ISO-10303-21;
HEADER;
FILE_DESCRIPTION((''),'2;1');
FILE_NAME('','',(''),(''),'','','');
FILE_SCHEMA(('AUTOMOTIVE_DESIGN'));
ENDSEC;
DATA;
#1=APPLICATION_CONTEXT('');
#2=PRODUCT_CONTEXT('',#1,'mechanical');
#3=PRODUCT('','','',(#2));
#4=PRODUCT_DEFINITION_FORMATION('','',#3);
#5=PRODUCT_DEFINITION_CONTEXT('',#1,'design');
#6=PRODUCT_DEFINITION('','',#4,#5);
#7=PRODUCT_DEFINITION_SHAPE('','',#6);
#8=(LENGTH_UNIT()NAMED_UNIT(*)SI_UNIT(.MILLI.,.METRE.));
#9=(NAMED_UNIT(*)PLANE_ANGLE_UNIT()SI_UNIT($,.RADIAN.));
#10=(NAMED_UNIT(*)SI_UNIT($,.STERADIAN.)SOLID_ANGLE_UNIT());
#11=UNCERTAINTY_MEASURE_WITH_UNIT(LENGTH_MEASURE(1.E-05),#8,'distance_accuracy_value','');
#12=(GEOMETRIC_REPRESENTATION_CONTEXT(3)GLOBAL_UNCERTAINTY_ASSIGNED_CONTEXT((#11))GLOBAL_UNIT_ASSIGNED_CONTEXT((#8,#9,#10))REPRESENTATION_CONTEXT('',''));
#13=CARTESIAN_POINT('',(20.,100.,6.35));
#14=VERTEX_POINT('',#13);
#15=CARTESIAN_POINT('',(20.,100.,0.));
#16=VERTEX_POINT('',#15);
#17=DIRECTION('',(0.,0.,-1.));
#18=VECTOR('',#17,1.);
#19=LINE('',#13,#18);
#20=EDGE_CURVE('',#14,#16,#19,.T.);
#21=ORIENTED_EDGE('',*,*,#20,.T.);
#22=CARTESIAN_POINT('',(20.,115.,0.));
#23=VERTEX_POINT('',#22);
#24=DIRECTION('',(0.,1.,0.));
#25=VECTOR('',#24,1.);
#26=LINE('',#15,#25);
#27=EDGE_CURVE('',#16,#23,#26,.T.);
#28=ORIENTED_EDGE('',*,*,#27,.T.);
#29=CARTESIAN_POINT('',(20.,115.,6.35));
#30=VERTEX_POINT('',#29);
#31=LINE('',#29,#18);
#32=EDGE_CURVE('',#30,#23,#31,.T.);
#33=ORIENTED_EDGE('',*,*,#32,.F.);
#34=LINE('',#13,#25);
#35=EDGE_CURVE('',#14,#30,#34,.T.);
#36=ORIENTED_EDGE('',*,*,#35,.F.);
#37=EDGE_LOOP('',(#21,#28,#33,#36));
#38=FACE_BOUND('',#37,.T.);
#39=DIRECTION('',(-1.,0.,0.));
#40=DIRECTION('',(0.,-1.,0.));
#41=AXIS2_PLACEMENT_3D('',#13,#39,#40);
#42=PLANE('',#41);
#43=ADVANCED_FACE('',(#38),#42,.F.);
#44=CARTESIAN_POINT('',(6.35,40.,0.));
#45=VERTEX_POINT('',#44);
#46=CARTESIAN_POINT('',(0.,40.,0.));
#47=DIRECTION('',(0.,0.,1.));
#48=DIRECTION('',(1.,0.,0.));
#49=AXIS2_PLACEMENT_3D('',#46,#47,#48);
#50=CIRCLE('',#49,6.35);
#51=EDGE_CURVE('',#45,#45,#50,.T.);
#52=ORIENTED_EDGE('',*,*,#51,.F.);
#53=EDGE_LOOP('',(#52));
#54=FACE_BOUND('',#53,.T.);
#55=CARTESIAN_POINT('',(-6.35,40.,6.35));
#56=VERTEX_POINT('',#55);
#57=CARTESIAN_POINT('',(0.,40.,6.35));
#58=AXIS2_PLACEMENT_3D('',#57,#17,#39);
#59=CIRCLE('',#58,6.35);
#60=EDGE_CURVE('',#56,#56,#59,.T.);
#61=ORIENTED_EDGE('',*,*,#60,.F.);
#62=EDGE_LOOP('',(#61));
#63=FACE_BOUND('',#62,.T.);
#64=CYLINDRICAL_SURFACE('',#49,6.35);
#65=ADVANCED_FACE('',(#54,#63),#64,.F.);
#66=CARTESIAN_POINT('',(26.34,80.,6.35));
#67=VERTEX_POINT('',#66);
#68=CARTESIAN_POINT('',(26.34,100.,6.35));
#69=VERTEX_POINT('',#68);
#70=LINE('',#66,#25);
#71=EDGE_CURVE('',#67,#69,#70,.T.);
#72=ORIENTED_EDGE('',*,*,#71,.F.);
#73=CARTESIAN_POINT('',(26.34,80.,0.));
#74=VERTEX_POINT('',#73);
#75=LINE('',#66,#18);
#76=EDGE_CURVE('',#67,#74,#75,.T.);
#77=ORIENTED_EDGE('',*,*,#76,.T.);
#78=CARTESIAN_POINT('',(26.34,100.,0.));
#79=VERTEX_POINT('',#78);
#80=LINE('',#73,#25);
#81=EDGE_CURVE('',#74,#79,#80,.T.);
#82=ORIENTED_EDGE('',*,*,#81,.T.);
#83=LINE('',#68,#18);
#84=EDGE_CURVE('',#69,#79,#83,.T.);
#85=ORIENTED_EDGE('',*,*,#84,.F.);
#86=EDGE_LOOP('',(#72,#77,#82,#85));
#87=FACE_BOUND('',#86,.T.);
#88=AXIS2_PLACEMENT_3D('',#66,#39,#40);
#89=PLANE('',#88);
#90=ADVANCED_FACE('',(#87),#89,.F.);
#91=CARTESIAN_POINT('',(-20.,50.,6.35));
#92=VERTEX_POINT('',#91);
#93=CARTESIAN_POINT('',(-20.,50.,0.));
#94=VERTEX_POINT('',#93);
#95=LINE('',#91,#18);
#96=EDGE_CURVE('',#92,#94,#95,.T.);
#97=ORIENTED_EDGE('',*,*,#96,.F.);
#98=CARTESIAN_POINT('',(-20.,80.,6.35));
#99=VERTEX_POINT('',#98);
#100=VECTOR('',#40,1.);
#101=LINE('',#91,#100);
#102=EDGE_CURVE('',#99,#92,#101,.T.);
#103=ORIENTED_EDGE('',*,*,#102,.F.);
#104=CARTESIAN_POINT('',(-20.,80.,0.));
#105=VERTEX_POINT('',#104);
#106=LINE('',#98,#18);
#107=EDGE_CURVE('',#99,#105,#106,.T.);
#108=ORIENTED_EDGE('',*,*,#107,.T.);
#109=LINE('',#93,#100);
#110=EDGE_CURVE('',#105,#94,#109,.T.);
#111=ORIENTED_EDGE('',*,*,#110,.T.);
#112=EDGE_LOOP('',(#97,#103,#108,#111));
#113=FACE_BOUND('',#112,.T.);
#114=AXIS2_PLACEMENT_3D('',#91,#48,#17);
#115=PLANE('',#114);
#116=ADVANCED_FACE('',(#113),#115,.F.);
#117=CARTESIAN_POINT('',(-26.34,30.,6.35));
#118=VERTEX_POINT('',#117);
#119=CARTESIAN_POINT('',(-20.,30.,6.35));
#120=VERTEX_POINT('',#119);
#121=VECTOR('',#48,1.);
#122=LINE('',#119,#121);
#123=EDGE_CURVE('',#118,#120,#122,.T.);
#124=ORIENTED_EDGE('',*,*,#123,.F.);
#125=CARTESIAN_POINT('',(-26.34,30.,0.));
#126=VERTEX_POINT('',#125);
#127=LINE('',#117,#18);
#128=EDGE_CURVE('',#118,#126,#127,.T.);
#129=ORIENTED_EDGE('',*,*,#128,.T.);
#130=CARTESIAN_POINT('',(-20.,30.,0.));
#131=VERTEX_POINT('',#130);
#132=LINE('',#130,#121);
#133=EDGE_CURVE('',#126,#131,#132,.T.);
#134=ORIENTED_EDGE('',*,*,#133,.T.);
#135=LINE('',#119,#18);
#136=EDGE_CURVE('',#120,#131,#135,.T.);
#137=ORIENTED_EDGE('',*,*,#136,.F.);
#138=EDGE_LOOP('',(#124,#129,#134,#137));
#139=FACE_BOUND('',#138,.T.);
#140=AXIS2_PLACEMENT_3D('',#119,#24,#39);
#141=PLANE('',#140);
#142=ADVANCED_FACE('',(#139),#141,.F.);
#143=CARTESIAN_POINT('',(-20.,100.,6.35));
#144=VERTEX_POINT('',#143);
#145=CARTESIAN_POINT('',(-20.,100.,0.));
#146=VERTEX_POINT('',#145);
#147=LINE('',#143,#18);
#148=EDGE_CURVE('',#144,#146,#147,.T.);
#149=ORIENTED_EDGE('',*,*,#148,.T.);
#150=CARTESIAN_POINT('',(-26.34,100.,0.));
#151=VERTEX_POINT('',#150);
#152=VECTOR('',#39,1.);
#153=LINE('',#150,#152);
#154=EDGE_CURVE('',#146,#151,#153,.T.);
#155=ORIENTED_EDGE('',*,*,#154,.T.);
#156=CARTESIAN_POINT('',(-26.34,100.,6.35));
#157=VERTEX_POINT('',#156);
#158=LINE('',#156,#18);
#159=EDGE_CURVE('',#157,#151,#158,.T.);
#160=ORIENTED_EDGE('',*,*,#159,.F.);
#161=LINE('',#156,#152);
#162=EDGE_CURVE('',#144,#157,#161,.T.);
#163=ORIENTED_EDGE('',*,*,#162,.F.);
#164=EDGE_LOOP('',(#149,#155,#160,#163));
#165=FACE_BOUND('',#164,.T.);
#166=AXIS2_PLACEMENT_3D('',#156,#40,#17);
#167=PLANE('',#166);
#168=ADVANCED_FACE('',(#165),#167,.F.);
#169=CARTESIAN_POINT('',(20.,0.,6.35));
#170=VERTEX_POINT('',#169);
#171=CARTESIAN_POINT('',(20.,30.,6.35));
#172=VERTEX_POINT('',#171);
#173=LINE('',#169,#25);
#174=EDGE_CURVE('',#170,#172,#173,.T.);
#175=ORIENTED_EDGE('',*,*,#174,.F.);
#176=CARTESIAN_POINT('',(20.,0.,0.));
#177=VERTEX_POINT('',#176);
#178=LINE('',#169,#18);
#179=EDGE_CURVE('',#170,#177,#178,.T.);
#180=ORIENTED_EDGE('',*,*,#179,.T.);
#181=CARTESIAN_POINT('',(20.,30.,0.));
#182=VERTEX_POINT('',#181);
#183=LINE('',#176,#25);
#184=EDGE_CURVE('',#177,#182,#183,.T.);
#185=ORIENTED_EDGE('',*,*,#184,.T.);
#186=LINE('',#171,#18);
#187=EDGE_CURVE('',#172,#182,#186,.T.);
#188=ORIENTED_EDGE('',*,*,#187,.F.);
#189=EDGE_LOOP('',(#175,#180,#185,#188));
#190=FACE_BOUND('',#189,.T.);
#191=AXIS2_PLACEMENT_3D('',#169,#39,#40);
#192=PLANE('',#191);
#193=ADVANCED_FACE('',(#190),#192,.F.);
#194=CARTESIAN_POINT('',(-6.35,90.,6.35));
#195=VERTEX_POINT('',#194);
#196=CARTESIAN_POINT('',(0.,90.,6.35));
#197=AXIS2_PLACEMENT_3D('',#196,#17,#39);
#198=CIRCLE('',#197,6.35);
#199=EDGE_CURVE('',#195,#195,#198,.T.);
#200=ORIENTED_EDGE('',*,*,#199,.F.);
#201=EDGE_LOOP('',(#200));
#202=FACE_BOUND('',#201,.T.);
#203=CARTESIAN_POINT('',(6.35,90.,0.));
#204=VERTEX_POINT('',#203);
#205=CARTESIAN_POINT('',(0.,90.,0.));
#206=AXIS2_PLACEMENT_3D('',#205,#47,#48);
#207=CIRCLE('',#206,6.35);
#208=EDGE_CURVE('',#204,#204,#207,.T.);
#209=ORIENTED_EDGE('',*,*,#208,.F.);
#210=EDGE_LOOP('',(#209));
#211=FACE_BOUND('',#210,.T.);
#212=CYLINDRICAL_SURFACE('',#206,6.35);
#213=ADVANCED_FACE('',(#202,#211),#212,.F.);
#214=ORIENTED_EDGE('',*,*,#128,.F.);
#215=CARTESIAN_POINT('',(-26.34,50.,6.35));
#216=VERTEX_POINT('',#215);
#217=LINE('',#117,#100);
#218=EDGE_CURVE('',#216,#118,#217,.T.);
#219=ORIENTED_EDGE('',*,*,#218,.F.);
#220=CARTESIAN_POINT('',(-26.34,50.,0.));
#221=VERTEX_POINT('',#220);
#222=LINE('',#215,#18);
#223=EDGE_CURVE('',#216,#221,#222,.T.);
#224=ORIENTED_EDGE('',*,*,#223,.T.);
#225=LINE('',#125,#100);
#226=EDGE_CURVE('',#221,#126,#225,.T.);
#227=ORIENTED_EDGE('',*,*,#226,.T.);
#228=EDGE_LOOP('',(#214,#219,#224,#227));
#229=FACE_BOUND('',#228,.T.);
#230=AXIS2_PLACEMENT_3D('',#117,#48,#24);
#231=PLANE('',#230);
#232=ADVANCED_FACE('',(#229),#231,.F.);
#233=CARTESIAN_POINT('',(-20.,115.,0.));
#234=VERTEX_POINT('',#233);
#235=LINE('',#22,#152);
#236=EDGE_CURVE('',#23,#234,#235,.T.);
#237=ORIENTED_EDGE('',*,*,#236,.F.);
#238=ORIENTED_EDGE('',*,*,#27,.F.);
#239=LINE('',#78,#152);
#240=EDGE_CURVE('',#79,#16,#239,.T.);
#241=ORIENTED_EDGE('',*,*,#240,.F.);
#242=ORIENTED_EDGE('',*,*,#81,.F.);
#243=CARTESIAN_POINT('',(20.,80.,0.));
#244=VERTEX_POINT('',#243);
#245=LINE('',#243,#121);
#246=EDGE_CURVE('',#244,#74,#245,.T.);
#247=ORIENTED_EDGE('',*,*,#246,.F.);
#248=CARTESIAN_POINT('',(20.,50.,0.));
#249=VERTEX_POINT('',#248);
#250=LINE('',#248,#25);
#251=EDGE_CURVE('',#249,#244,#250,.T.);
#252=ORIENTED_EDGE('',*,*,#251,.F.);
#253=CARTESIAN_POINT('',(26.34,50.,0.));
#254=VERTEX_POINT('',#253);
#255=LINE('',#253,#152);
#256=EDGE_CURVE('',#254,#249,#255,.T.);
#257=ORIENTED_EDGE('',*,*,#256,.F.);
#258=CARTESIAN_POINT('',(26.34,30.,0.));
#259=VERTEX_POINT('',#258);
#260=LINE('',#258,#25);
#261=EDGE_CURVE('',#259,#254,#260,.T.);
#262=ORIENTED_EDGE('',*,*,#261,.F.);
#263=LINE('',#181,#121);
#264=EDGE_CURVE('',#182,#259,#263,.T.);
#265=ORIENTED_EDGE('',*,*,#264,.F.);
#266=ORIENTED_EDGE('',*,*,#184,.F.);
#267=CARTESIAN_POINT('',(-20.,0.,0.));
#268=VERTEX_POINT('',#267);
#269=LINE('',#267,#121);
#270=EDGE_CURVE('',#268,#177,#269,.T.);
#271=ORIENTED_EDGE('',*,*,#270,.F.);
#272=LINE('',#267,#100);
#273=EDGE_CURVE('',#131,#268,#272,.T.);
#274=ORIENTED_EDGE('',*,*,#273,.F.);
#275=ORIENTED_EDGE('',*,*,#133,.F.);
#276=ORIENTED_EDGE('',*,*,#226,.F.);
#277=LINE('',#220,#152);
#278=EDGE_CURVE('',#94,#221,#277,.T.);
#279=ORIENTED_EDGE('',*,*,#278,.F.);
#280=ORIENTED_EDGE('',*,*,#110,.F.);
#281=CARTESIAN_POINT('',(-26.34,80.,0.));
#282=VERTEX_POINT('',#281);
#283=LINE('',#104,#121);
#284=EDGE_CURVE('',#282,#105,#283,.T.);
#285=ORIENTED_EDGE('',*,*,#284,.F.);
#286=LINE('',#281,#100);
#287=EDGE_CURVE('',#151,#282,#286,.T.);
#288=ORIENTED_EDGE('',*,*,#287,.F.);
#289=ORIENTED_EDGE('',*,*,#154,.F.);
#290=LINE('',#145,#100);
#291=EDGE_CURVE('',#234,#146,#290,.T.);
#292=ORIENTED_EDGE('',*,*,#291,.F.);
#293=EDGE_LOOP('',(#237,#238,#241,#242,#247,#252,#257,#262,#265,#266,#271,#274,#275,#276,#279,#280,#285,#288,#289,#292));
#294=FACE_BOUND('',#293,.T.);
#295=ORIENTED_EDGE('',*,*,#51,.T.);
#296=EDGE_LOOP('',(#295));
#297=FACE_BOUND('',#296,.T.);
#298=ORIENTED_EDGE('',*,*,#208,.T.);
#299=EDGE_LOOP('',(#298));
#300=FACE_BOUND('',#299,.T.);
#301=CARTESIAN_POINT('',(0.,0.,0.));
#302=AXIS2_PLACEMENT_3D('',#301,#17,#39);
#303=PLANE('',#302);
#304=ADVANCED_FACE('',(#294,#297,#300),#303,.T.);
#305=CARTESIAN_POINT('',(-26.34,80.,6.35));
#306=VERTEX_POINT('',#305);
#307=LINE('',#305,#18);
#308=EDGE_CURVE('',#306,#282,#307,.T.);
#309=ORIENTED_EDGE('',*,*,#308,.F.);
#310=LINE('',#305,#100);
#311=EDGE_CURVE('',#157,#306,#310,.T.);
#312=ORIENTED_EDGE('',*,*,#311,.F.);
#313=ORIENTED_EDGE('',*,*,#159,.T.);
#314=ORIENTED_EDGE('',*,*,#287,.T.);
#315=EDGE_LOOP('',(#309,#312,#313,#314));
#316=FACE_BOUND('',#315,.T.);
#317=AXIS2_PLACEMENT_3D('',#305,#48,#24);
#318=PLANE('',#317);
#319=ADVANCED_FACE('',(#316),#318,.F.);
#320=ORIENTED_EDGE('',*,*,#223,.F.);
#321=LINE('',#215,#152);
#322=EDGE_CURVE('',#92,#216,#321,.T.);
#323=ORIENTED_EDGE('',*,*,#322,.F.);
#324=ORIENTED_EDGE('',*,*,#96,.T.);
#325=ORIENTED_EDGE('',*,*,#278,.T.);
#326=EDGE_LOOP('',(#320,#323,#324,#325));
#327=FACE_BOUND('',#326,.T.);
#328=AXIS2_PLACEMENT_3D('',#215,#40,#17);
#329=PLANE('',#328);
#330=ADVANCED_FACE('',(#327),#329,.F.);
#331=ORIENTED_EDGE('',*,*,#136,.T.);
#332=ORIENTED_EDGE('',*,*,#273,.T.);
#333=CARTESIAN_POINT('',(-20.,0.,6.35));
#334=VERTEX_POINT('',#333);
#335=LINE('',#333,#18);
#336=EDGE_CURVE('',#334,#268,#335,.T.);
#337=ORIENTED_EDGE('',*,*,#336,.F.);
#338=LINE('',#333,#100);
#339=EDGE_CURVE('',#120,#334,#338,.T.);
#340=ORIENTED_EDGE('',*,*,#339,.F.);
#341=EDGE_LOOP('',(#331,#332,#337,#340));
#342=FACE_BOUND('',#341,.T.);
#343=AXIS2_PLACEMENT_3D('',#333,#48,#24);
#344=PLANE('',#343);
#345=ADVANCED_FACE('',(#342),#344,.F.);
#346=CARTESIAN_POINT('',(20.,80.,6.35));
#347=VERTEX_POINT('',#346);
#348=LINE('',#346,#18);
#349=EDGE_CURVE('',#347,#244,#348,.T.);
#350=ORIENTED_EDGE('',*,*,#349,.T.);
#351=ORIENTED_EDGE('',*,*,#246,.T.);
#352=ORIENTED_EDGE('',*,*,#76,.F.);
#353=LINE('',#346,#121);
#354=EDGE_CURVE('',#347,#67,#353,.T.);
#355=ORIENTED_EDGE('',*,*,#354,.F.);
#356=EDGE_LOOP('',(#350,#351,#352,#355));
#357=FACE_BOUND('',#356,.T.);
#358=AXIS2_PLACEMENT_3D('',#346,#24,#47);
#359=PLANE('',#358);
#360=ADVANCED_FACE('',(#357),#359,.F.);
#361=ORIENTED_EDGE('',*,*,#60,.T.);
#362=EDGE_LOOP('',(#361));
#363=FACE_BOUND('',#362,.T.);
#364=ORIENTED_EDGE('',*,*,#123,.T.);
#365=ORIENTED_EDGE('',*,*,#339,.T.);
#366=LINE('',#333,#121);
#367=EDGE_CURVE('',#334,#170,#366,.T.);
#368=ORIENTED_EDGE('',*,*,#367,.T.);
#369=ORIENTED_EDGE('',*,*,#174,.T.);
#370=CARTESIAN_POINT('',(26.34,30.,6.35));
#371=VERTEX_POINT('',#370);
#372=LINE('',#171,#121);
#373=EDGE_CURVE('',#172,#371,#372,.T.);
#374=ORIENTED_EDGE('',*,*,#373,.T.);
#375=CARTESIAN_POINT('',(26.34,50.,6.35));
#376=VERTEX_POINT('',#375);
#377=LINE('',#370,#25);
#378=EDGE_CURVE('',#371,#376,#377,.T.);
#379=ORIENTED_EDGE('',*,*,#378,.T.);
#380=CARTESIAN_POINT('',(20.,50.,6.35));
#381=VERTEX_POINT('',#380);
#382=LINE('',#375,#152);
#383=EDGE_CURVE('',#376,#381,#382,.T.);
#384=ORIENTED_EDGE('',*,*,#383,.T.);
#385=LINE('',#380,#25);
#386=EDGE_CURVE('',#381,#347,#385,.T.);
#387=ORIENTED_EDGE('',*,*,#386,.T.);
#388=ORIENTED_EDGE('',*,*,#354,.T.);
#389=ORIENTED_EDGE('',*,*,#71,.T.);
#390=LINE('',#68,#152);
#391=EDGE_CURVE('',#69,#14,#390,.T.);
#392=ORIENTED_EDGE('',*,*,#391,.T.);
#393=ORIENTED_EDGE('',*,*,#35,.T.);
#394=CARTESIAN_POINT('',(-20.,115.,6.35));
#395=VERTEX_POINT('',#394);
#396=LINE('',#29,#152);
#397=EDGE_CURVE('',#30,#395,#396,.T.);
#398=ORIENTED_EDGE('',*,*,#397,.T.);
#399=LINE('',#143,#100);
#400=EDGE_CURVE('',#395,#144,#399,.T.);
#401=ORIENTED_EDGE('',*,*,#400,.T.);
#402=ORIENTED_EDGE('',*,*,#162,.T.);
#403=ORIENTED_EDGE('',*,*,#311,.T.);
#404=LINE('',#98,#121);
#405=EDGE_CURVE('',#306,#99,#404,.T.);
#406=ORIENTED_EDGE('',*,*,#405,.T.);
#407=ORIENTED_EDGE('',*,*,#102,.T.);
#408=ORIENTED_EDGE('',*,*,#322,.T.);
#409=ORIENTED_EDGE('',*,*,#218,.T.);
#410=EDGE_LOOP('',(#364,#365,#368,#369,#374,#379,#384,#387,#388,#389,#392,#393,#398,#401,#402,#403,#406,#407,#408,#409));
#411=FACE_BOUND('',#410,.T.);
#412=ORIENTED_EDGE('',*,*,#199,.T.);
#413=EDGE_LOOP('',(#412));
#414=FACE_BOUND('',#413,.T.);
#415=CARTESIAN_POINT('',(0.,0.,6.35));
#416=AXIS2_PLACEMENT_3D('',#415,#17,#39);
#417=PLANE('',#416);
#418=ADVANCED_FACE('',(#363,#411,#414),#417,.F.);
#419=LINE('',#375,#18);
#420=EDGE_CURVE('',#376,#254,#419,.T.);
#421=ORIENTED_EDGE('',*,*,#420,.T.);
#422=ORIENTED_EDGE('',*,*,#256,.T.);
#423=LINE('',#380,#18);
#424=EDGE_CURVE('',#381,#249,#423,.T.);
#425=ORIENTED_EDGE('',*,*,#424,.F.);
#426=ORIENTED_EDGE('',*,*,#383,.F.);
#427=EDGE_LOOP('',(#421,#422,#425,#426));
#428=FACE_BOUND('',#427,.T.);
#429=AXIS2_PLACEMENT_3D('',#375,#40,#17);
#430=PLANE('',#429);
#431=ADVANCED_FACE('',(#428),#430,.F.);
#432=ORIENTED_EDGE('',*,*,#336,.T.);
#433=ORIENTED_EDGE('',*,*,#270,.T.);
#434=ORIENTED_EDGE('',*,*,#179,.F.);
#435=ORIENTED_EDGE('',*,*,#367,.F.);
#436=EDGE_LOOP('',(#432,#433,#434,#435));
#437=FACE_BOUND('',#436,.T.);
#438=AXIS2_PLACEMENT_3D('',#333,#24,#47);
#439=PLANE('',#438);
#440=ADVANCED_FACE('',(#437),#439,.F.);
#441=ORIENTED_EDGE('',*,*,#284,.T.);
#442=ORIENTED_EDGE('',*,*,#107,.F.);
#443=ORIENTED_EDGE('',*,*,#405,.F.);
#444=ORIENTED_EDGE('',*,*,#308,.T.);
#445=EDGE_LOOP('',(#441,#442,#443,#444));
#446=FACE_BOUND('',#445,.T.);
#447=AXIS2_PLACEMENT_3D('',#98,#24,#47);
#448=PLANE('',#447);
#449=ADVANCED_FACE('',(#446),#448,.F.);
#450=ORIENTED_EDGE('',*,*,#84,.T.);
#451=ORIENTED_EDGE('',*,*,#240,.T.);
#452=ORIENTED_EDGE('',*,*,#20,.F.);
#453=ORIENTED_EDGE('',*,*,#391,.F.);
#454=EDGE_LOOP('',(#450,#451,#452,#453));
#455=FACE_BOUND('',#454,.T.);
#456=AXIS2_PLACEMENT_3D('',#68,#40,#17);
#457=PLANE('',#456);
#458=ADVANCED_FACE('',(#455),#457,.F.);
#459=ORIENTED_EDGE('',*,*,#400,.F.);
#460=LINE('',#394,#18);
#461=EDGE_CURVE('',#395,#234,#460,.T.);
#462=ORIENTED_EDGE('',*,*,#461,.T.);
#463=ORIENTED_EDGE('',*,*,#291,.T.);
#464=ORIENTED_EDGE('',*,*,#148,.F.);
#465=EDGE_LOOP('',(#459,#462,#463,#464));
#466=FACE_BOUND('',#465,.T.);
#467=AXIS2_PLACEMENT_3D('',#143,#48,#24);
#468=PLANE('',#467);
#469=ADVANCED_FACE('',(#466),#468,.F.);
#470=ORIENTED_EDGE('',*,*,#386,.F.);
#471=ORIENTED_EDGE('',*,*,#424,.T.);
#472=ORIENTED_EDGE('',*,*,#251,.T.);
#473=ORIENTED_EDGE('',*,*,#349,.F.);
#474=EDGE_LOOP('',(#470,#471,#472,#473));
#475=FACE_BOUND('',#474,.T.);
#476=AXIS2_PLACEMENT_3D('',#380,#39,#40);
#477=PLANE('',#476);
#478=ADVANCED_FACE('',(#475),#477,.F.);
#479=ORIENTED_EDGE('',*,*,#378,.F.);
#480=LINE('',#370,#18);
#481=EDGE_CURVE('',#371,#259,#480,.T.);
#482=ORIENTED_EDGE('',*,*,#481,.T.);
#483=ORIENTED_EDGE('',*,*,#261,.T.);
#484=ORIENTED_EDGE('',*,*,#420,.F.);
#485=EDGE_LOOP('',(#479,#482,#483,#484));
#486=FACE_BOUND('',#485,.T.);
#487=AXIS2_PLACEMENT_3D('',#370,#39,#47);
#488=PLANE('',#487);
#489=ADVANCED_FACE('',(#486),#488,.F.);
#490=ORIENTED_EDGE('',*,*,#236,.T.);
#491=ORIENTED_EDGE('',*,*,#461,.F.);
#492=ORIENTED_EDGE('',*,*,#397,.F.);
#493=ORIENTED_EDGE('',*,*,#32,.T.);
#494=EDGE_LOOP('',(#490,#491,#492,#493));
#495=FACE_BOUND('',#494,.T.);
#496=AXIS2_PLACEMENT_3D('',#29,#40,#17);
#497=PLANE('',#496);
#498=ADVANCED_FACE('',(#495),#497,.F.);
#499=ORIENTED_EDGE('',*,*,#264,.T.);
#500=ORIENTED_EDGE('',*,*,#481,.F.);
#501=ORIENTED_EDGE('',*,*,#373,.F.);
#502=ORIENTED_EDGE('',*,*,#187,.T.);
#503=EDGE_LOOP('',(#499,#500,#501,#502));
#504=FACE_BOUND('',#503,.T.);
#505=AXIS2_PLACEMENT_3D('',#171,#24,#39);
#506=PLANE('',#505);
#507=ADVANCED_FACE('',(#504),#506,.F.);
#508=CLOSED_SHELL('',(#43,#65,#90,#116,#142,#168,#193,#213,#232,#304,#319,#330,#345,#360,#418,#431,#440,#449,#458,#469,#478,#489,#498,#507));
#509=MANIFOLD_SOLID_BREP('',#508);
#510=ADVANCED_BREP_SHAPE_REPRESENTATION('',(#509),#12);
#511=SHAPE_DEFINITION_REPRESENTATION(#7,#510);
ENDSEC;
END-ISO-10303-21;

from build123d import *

# Parameters (mm, degrees)
BOSS_EXTRUDE1_DEPTH     = 6.35
CUT_EXTRUDE1_DEPTH      = 119.1487118
CUT_EXTRUDE1_DEPTH_BACK = 119.1487118
SKETCH3_R               = 6.35


with BuildPart() as part:
    # Sketch1 → Boss-Extrude1 (new body)
    with BuildSketch(Plane.XY):
        Polygon((-20, 0), (20, 0), (20, 30), (26.34, 30), (26.34, 50), (20, 50), (20, 80), (26.34, 80), (26.34, 100), (20, 100), (20, 115), (-20, 115), (-20, 100), (-26.34, 100), (-26.34, 80), (-20, 80), (-20, 50), (-26.34, 50), (-26.34, 30), (-20, 30), align=None)
    extrude(amount=BOSS_EXTRUDE1_DEPTH)

    # Sketch3 → Cut-Extrude1 (cut, two sides: drawn at the far end of the back side and taken through both)
    with BuildSketch(Plane.XY.offset(6.35).offset(-CUT_EXTRUDE1_DEPTH_BACK)):
        with Locations((0, 90)):
            Circle(SKETCH3_R)
        with Locations((0, 40)):
            Circle(SKETCH3_R)
    extrude(amount=CUT_EXTRUDE1_DEPTH + CUT_EXTRUDE1_DEPTH_BACK, mode=Mode.SUBTRACT)


solid = part.part
